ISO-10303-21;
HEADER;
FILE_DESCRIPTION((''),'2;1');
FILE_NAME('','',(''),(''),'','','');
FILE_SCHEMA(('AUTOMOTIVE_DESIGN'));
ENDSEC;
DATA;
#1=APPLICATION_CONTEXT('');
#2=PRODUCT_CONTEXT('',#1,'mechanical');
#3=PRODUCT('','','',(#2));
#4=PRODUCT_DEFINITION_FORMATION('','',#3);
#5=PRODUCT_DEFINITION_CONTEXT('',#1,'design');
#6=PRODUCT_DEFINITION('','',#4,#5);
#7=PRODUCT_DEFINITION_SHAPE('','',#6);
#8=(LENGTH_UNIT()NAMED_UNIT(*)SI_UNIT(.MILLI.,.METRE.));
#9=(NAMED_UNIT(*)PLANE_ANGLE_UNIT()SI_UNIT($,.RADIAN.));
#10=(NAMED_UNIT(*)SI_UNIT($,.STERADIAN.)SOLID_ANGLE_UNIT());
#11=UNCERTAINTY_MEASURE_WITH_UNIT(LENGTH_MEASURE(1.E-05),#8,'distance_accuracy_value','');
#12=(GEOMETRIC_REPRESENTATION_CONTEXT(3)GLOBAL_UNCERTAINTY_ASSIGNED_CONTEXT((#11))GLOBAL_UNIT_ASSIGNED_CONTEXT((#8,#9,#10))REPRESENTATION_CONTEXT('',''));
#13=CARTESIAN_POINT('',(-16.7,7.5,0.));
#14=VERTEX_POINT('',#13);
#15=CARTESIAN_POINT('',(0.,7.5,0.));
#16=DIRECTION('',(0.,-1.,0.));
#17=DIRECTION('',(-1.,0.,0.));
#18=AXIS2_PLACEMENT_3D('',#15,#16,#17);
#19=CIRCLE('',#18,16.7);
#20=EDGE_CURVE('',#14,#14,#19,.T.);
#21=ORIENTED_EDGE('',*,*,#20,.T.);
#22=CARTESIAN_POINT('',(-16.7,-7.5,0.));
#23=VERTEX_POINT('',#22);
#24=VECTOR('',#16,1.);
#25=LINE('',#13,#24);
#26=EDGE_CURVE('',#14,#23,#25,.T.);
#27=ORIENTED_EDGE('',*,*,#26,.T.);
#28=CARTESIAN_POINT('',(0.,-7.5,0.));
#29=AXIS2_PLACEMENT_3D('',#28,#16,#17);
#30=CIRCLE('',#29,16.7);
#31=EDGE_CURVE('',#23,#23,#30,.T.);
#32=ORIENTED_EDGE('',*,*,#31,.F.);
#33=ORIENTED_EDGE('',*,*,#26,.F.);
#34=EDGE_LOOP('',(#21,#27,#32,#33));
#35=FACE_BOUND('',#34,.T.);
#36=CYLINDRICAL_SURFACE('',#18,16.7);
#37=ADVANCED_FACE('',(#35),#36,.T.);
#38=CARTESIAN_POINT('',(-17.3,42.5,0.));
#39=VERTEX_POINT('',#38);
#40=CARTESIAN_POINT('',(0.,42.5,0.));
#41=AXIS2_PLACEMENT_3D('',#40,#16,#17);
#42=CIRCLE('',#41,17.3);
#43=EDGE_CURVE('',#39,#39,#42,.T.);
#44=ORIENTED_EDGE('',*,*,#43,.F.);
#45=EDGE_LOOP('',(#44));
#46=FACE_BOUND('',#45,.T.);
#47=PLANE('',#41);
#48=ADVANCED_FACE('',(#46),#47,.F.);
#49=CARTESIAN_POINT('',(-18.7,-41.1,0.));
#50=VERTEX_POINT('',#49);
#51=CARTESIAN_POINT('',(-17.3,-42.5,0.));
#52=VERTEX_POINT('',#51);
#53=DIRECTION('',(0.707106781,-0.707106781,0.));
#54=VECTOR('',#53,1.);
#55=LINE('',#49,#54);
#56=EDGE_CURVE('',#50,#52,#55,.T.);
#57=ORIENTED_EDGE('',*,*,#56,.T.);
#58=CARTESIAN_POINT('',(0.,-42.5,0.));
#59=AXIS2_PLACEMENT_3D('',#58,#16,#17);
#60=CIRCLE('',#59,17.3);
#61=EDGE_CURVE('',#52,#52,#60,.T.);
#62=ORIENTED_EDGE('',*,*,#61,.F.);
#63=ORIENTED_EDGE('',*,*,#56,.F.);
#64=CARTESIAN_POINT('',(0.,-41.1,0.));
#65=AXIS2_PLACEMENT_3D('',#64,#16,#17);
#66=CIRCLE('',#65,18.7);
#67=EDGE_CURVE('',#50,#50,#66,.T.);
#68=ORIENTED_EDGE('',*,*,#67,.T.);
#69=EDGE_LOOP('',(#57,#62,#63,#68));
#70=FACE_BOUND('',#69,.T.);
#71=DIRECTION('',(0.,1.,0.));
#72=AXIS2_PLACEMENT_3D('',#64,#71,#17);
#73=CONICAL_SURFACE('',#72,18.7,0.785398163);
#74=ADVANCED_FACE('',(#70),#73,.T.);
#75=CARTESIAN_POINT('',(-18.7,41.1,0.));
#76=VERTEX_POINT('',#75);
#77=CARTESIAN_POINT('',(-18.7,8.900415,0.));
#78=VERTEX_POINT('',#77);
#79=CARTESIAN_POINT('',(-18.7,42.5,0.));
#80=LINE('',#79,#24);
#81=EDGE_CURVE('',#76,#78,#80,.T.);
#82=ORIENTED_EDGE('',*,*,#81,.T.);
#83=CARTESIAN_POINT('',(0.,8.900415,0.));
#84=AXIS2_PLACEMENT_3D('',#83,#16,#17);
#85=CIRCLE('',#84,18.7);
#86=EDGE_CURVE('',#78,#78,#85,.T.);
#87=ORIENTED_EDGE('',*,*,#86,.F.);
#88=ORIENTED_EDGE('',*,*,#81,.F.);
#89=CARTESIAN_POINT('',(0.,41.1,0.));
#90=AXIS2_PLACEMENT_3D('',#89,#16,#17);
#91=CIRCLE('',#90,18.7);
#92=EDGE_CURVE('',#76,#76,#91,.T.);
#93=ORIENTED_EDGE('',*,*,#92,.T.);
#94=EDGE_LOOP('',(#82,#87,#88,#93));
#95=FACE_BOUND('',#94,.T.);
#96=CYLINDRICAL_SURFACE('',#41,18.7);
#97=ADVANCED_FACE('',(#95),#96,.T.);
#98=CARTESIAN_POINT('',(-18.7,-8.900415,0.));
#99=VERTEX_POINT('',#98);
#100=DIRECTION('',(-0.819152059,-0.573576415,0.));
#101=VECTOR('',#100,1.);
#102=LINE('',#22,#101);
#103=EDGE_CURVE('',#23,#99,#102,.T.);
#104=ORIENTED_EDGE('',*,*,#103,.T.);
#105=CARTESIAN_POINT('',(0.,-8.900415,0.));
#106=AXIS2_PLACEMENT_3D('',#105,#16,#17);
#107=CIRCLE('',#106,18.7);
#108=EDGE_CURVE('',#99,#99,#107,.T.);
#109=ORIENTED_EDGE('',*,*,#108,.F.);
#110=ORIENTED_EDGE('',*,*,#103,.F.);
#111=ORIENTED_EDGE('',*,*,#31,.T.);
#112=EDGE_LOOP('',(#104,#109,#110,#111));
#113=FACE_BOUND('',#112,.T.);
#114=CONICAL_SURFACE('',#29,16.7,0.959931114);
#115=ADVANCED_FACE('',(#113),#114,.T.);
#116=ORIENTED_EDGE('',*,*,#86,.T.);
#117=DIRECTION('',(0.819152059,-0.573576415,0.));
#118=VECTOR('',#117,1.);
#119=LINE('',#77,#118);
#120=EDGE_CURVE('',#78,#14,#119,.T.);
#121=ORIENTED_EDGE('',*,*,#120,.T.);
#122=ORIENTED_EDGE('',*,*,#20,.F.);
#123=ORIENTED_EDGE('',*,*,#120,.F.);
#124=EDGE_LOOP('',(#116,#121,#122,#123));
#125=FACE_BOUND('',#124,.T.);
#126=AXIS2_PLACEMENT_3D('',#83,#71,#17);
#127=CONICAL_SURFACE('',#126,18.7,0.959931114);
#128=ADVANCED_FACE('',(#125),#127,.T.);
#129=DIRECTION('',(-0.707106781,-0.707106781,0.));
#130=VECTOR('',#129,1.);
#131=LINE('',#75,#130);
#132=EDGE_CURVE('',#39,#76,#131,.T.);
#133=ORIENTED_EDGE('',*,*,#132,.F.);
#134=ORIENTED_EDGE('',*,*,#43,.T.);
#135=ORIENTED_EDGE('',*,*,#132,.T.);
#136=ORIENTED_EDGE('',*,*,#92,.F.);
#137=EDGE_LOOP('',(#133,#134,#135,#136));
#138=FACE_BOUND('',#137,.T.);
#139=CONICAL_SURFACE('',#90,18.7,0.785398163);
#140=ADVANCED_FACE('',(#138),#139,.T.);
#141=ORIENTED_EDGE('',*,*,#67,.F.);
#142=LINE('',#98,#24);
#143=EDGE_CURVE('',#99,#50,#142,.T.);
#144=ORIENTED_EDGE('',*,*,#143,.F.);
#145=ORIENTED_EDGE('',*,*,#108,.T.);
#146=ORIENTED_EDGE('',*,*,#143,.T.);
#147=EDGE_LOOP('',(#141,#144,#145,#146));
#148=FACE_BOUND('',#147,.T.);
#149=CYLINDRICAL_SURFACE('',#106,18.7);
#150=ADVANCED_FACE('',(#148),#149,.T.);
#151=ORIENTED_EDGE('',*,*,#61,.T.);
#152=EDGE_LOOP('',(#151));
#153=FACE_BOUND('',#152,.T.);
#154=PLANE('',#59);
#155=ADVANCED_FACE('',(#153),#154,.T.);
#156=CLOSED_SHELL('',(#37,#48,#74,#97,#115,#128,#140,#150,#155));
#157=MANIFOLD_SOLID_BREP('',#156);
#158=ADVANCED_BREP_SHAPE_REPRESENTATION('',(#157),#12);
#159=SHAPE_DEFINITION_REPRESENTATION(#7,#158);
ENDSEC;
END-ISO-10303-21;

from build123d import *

# Parameters (mm, degrees)
F2_SIZE = 1.4


with BuildPart() as f1:
    # F0 (on Top) → F1 (revolve)
    with BuildSketch(Plane.XY):
        Polygon((0, -42.5), (0, 42.5), (-18.7, 42.5), (-18.7, 8.900415), (-16.7, 7.5), (-16.7, -7.5), (-18.7, -8.900415), (-18.7, -42.5), align=None)
    revolve(axis=Axis((0, 0, 0), (0, -1, 0)))

    # F2
    f2_edges = [f1.edges().sort_by_distance(p)[0] for p in [
        (18.7, 42.5, 0),
        (18.7, -42.5, 0),
    ]]
    chamfer(f2_edges, length=F2_SIZE)


solid = f1.part
